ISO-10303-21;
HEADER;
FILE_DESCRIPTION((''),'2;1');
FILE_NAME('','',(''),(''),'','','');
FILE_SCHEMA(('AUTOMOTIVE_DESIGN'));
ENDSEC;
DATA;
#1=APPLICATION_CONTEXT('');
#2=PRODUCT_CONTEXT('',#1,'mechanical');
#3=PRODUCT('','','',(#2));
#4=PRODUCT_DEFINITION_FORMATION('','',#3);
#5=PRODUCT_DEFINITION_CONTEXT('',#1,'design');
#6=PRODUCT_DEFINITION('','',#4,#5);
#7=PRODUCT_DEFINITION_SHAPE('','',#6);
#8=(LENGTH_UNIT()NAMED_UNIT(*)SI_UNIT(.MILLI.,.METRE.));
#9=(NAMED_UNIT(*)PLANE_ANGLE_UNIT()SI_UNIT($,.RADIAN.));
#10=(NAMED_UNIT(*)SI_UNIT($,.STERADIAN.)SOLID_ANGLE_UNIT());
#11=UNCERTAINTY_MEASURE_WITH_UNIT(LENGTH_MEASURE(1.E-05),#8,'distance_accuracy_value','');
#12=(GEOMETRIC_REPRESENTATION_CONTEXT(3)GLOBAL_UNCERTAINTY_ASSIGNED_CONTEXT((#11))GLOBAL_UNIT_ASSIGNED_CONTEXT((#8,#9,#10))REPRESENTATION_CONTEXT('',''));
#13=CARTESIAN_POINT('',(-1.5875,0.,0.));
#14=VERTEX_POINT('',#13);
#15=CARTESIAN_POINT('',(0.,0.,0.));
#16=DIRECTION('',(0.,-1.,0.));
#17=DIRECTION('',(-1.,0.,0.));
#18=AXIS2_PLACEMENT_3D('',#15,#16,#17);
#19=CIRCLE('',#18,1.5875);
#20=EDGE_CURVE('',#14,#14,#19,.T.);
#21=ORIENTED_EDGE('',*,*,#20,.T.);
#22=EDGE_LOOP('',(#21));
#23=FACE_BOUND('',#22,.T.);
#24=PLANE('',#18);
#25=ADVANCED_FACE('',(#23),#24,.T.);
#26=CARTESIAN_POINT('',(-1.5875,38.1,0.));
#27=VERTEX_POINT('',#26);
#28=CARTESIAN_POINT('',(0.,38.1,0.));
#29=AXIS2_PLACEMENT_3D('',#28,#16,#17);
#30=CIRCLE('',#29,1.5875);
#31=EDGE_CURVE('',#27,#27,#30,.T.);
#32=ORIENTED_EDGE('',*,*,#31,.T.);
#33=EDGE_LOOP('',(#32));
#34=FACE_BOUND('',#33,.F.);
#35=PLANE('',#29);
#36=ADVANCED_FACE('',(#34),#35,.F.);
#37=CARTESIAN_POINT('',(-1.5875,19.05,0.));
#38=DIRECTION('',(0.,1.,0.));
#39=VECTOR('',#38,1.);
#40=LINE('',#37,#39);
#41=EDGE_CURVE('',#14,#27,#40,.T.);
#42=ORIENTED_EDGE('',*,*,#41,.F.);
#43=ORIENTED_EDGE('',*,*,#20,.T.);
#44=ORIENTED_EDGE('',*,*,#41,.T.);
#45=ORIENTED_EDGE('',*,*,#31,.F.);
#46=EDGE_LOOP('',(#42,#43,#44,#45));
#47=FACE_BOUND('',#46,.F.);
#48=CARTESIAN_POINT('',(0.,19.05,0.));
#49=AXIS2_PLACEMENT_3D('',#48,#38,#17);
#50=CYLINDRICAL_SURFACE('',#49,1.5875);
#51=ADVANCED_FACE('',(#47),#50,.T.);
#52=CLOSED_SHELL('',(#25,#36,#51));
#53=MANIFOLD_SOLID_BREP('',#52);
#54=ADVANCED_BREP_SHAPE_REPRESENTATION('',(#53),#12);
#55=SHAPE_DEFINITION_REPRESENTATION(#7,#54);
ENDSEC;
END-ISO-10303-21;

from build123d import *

# Parameters (mm, degrees)
SKETCH1_W = 1.5875
SKETCH1_H = 38.1


with BuildPart() as part:
    # Sketch1 → Revolve1 (revolve)
    with BuildSketch(Plane.XY):
        with Locations((-0.79375, 19.05)):
            Rectangle(SKETCH1_W, SKETCH1_H)
    revolve(axis=Axis((0, 38.1, 0), (0, -1, 0)))


solid = part.part
